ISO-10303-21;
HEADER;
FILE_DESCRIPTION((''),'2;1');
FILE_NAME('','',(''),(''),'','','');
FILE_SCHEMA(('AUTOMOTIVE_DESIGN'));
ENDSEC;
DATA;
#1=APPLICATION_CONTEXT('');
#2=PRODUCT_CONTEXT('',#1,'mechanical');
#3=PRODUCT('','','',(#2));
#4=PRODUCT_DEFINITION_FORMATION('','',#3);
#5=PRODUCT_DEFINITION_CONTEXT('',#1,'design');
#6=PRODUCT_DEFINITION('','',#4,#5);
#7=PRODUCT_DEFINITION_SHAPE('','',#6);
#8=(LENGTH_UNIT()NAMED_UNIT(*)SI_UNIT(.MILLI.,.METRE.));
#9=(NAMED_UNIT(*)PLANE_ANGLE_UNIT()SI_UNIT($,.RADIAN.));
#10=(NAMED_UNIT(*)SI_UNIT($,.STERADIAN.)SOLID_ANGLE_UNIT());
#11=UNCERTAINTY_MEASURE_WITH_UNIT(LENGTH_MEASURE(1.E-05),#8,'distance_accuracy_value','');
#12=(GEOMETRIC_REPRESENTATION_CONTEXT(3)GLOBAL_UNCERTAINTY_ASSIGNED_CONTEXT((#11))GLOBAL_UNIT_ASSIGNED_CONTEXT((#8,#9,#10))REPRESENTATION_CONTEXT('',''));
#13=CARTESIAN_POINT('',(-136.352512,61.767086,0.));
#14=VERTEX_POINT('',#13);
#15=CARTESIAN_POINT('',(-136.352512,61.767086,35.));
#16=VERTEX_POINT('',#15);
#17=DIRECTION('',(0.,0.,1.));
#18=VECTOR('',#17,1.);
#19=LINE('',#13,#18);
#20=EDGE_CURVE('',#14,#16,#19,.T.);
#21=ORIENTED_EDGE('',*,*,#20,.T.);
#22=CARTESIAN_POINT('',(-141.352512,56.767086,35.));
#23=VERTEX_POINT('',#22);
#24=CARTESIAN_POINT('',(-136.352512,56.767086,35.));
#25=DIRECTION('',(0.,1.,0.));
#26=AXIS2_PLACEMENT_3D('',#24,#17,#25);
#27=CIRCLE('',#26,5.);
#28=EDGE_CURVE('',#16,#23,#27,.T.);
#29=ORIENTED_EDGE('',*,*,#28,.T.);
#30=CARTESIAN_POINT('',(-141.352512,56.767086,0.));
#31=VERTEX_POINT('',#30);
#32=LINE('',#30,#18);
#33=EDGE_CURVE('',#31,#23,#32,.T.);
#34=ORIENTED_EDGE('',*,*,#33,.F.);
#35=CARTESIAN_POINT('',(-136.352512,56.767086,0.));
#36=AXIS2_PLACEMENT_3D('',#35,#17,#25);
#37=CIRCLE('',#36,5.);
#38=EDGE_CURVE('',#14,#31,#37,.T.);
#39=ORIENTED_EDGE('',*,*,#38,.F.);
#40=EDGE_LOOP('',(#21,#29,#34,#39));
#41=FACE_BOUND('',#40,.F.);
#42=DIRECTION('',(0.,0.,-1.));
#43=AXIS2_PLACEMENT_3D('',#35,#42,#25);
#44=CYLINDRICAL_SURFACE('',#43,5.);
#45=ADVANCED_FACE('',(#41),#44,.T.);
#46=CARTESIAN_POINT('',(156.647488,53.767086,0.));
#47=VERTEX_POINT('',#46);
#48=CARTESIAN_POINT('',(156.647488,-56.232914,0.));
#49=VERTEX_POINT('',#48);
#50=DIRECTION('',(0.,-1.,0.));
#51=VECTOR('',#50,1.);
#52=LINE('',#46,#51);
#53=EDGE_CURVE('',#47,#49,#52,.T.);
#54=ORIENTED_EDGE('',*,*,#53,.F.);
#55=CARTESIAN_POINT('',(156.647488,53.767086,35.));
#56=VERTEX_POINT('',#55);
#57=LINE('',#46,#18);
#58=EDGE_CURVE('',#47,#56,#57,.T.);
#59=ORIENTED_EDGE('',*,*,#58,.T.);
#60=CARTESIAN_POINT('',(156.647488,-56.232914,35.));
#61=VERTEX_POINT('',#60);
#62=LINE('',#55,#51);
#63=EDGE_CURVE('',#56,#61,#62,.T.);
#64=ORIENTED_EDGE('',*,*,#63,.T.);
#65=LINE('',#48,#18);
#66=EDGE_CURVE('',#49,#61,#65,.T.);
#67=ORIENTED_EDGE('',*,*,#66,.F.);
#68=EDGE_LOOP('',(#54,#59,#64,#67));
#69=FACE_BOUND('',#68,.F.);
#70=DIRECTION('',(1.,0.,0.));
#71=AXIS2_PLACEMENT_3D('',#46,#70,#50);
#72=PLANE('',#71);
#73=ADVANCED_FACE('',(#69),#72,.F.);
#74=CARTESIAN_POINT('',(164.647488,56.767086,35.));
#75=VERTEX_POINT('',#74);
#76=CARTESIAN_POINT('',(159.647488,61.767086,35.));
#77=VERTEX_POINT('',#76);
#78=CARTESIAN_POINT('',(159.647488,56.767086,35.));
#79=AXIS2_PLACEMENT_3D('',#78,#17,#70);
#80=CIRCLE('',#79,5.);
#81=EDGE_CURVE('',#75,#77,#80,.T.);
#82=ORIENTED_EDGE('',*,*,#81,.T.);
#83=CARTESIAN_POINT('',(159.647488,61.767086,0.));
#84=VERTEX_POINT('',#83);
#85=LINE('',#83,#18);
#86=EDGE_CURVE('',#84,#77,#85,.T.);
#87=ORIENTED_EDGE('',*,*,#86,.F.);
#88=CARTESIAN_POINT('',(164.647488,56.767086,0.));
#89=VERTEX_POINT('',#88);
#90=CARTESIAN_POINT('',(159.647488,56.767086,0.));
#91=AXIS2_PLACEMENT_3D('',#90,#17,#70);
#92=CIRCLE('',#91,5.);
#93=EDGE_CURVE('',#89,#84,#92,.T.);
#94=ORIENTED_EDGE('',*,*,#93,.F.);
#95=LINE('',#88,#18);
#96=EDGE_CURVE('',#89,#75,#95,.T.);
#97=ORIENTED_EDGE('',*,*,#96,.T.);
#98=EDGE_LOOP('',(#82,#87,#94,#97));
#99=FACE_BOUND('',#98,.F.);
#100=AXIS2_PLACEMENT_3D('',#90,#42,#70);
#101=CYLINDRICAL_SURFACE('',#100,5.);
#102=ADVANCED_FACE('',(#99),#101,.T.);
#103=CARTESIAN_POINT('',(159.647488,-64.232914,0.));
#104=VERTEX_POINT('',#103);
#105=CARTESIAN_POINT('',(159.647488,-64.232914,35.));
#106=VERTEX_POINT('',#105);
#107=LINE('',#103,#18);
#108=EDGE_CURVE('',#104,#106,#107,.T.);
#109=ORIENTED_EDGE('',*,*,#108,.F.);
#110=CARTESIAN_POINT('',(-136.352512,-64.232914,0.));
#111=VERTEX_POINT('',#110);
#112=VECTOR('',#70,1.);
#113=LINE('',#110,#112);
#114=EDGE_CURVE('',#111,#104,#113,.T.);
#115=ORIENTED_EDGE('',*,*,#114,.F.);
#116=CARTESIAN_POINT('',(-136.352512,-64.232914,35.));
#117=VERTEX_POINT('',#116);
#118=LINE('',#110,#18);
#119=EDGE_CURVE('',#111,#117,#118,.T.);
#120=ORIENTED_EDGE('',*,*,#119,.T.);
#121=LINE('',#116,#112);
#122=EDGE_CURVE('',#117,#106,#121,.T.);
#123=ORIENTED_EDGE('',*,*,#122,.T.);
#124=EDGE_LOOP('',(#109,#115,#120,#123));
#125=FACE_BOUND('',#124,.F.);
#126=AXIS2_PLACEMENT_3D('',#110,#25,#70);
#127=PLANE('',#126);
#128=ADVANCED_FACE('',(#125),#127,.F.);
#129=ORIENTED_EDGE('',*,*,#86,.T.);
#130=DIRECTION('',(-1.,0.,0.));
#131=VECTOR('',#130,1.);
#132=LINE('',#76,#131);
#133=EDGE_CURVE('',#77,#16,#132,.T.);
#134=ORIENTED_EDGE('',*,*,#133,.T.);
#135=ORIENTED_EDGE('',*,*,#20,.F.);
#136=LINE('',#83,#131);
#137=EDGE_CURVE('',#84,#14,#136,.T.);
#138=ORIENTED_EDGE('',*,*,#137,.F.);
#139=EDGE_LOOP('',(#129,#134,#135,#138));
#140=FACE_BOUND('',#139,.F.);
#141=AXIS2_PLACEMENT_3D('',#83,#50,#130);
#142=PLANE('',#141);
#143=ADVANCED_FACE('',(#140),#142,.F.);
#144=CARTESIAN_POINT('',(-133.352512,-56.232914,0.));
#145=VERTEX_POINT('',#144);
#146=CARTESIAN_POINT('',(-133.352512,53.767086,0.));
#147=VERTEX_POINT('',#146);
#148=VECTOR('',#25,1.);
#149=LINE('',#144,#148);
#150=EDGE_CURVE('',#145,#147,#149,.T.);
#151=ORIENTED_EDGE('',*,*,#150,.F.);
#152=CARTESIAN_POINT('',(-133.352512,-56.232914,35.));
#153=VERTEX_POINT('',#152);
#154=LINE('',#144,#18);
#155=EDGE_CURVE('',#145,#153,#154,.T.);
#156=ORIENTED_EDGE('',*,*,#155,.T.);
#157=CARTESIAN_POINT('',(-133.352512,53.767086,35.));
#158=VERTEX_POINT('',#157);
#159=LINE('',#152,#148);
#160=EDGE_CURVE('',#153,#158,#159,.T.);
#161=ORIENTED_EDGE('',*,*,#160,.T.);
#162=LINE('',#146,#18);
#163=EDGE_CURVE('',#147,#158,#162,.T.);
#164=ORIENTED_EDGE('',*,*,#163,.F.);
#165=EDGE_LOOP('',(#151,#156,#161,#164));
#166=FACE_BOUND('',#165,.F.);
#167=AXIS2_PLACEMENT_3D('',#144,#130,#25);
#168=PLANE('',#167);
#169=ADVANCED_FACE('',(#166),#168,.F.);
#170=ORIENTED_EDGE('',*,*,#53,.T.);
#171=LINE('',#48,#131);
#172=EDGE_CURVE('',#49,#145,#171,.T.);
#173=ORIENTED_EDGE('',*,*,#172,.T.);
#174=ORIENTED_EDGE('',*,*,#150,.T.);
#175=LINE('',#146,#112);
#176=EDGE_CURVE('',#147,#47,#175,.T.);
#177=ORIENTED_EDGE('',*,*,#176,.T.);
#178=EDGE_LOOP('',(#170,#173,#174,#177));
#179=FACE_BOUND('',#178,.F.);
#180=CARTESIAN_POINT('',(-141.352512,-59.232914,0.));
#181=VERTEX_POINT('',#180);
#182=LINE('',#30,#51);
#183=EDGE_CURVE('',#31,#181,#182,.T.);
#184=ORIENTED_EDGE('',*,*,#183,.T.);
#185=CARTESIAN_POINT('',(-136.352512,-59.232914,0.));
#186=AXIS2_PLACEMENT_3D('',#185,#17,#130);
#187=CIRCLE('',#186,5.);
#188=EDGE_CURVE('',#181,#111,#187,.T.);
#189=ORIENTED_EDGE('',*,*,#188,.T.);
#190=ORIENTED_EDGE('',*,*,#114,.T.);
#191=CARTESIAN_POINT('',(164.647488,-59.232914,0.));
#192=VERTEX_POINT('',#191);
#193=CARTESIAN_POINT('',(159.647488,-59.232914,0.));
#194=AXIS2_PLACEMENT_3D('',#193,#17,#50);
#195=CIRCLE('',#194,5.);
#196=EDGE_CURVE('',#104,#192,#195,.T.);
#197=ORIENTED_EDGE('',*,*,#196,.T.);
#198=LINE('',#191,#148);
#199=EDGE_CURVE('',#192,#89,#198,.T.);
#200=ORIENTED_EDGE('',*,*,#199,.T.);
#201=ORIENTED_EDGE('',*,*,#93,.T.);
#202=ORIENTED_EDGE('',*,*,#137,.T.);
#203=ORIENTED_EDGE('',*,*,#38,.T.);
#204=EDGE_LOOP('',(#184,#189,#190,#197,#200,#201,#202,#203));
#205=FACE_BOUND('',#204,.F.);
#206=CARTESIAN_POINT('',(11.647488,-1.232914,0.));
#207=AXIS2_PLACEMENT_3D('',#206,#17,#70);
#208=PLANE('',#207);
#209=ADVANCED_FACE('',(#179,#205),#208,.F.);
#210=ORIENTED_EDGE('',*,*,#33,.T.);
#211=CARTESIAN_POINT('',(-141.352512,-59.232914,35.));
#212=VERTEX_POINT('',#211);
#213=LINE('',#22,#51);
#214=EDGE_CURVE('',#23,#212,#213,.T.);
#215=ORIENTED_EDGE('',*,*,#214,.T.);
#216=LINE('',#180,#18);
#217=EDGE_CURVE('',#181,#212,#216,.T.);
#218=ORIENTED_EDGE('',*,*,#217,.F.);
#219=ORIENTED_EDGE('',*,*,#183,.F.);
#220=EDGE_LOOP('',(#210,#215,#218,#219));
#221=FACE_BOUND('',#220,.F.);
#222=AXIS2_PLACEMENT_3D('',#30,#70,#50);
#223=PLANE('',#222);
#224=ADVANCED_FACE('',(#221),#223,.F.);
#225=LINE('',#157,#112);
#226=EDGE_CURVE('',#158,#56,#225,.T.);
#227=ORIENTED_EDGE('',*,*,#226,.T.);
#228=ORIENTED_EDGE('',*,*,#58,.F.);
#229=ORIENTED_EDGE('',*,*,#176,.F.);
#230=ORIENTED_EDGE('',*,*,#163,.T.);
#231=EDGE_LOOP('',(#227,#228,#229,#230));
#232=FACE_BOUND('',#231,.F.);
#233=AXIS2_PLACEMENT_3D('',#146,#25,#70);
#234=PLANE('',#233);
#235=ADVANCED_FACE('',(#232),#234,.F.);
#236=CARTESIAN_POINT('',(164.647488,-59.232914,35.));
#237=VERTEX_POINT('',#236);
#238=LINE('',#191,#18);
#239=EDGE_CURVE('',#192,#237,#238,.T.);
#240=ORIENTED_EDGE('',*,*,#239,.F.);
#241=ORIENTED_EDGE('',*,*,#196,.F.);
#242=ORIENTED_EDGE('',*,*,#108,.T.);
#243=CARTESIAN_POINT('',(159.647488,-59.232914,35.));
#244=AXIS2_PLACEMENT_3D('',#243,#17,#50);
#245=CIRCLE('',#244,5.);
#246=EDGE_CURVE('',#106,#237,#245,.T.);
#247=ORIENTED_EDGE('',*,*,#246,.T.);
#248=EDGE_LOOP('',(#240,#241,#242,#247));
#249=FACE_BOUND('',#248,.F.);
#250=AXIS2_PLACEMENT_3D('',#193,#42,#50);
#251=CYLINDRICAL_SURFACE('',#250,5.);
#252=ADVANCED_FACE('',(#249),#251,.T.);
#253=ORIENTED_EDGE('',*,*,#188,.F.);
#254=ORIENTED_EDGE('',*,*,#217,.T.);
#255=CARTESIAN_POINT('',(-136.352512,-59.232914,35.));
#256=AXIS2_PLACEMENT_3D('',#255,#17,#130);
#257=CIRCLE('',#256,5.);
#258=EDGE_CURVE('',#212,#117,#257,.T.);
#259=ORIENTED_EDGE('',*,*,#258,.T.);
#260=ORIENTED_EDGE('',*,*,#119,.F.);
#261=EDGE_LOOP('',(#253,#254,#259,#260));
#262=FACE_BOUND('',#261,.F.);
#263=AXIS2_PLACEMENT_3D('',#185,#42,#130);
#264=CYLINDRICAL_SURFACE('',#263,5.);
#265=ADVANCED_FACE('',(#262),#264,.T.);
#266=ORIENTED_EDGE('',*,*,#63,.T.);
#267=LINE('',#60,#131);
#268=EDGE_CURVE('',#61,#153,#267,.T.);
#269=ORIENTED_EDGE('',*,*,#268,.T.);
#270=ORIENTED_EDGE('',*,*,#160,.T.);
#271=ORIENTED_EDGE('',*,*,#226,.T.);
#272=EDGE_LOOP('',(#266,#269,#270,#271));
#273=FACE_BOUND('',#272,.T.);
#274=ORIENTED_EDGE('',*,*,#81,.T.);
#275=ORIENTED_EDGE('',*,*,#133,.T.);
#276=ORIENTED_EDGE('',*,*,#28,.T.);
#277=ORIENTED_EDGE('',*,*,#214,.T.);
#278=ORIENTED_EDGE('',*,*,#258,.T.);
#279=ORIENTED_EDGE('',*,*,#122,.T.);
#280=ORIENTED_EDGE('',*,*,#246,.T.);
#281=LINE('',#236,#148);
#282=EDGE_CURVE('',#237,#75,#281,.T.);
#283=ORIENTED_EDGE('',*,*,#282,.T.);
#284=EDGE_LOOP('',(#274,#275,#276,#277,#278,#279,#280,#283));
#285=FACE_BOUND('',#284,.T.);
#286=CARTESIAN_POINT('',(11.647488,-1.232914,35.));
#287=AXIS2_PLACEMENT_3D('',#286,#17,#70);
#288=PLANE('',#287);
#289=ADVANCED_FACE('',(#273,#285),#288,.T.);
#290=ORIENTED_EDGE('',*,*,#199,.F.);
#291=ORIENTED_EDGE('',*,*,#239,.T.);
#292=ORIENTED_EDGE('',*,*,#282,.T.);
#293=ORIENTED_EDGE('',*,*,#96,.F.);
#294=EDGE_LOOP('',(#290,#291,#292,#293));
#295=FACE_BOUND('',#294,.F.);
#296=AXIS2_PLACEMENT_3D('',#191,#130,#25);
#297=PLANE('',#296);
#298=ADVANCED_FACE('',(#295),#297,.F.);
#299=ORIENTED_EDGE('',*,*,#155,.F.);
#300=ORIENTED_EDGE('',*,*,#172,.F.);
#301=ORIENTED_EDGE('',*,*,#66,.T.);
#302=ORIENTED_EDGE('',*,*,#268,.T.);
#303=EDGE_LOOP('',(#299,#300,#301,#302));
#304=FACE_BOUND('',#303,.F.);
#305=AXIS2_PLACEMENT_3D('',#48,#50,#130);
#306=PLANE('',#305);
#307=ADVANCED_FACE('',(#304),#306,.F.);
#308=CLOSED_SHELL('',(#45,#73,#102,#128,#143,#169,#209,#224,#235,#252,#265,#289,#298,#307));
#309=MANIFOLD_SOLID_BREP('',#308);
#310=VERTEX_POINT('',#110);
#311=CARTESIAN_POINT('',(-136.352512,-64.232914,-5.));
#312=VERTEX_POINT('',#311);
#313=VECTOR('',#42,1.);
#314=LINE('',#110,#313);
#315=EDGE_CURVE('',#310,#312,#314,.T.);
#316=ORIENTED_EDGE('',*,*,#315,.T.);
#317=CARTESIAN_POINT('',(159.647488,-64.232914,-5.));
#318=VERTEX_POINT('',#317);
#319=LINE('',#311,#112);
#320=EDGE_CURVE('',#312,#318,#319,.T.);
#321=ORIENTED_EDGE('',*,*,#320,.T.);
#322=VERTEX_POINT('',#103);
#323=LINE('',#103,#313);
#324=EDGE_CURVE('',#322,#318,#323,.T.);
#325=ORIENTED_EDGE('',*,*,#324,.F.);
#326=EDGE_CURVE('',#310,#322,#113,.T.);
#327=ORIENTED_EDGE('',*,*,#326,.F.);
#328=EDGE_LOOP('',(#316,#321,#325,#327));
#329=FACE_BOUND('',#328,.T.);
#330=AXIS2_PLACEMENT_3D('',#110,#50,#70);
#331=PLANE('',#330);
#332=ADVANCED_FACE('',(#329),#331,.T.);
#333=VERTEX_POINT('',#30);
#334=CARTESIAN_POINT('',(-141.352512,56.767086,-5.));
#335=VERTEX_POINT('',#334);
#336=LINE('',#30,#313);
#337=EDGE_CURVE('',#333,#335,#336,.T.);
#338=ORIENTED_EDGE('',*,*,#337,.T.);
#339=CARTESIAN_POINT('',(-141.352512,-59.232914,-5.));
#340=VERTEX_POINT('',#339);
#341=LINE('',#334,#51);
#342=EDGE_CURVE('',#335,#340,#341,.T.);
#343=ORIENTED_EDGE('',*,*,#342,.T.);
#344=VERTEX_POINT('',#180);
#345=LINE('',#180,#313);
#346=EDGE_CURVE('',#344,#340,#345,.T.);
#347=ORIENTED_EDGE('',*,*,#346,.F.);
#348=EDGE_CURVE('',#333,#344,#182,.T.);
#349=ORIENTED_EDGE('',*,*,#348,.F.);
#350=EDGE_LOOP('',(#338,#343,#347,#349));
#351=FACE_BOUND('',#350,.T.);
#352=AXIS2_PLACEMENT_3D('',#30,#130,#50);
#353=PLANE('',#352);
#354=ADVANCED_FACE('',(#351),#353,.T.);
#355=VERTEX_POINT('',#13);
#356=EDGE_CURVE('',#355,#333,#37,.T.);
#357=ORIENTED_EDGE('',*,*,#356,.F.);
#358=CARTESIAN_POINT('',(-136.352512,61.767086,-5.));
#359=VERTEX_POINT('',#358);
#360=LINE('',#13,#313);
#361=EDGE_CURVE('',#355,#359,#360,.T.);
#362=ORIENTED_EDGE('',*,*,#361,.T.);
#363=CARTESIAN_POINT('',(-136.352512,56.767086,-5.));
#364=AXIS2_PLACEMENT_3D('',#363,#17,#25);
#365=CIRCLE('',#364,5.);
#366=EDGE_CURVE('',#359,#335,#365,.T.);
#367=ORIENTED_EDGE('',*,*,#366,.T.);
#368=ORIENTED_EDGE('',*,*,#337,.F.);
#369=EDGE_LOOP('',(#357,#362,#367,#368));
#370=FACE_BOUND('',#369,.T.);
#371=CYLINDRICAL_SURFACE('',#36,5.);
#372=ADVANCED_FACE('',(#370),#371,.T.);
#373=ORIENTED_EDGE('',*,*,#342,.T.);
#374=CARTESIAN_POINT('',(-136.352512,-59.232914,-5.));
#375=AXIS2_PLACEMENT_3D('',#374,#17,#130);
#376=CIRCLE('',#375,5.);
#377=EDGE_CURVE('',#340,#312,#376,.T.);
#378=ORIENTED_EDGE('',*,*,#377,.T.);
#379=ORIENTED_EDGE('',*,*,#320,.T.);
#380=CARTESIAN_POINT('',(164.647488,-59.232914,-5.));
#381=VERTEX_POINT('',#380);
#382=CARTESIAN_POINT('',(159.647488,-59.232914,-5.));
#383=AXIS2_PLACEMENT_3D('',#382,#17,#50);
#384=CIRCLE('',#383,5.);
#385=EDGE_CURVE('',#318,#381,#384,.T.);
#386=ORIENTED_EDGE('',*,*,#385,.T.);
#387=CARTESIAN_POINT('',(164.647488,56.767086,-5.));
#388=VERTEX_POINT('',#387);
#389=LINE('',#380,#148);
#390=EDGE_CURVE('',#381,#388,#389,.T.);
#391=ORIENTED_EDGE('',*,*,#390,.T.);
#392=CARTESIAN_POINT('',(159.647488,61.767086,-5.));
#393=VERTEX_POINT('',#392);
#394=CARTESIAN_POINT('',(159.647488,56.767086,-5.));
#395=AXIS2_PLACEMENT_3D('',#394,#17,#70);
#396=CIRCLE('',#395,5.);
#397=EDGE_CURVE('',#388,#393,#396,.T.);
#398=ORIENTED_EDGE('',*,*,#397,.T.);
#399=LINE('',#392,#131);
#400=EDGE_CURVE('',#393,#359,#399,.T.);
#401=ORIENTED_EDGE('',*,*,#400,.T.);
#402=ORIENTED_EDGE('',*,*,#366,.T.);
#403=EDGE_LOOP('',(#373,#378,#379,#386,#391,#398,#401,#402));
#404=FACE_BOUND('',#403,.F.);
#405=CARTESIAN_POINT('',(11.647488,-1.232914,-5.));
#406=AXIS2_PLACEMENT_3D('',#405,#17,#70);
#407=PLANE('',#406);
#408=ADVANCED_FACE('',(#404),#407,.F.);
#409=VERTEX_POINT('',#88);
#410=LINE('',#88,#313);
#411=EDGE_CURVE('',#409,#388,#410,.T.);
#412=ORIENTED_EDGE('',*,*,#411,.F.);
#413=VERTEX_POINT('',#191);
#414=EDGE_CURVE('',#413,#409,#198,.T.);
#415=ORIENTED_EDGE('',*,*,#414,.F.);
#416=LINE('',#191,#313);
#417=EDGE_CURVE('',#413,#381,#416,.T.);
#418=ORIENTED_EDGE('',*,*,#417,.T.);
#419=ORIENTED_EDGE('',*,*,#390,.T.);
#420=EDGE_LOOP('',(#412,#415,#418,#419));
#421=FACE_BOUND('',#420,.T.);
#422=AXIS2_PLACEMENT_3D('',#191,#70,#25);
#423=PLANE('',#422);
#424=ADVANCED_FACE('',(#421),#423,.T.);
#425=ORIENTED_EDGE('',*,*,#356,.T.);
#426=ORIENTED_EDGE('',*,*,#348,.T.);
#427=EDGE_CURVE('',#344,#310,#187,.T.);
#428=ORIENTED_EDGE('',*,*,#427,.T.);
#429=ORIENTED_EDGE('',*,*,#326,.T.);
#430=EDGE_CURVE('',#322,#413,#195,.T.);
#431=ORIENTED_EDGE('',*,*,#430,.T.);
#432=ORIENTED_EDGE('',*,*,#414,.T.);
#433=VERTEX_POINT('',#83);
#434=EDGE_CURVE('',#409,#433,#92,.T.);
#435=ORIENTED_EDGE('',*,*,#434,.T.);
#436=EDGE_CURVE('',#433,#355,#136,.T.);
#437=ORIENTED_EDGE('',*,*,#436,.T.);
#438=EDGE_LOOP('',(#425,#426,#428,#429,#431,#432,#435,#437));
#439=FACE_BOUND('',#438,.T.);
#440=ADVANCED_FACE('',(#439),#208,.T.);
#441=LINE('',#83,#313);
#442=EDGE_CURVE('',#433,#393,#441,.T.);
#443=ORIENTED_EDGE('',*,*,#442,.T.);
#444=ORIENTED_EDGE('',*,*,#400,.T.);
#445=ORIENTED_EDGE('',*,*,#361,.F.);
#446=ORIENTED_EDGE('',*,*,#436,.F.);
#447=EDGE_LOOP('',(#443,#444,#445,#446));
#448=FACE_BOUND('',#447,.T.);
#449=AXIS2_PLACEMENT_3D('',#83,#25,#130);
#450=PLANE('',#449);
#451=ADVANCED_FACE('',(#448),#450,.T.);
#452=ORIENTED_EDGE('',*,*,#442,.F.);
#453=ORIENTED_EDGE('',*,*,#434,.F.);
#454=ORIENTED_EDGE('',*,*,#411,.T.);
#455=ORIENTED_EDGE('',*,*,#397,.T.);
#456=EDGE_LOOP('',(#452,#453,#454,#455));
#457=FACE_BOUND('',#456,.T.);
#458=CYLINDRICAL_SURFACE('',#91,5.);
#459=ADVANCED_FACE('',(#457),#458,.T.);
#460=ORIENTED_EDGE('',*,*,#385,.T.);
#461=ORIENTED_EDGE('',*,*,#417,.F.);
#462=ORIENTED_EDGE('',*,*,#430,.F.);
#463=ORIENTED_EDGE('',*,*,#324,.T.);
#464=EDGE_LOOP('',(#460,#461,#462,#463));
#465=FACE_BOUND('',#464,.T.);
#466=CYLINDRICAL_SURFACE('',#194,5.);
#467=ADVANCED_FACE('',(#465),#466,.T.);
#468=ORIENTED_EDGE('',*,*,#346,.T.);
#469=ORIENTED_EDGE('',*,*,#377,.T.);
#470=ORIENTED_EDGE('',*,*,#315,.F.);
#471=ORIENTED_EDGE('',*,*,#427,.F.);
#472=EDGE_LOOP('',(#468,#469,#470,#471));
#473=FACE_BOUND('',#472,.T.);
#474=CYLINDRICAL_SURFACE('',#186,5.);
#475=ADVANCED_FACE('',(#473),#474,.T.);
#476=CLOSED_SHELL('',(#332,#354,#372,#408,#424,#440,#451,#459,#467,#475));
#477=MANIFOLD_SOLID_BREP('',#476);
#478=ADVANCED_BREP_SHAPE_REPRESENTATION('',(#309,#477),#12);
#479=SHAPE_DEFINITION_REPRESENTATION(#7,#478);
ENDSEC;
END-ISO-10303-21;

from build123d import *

# Parameters (mm, degrees)
F0_W     = 2
F0_H     = 18.0155
F1_DEPTH = 5
F2_DEPTH = 35


with BuildPart() as f1:
    # F0 (on Top) → F1 (new body)
    with BuildSketch(Plane.XY):
        with BuildLine():
            ThreePointArc((164.6474879093, 56.7670862941), (163.1830218152, 60.3026202), (159.6474879093, 61.7670862941))
            Line((159.6474879093, 61.7670862941), (-136.3525120907, 61.7670862941))
            ThreePointArc((-136.3525120907, 61.7670862941), (-139.8880459967, 60.3026202), (-141.3525120907, 56.7670862941))
            Line((-141.3525120907, 56.7670862941), (-141.3525120907, -59.2329137059))
            ThreePointArc((-141.3525120907, -59.2329137059), (-139.8880459967, -62.7684476119), (-136.3525120907, -64.2329137059))
            Line((-136.3525120907, -64.2329137059), (159.6474879093, -64.2329137059))
            ThreePointArc((159.6474879093, -64.2329137059), (163.1830218152, -62.7684476119), (164.6474879093, -59.2329137059))
            Line((164.6474879093, -59.2329137059), (164.6474879093, 56.7670862941))
        make_face()
        Polygon((-93.3215120907, 53.7670862941), (156.6474879093, 53.7670862941), (156.6474879093, -56.2329137059), (-133.3525120907, -56.2329137059), (-133.3525120907, 13.7360862941), (-133.3525120907, 53.7670862941), align=None, mode=Mode.SUBTRACT)
        Polygon((-93.3215120907, 51.7670862941), (-93.3215120907, 53.7670862941), (-133.3525120907, 53.7670862941), (-133.3525120907, 13.7360862941), (-131.3525120907, 13.7360862941), (-131.3525120907, 15.7360862941), (-131.3525120907, 51.7670862941), (-95.3215120907, 51.7670862941), align=None)
        Polygon((-93.3215120907, 13.7360862941), (-93.3215120907, 33.7515862941), (-95.3215120907, 33.7515862941), (-95.3215120907, 15.7360862941), (-131.3525120907, 15.7360862941), (-131.3525120907, 13.7360862941), align=None)
        with Locations((-94.3215120907, 42.7593362941)):
            Rectangle(F0_W, F0_H)
        Polygon((-95.3215120907, 33.7515862941), (-95.3215120907, 51.7670862941), (-131.3525120907, 51.7670862941), (-131.3525120907, 15.7360862941), (-95.3215120907, 15.7360862941), align=None)
        Polygon((154.6474879093, 51.7670862941), (-93.3215120907, 51.7670862941), (-93.3215120907, 33.7515862941), (-93.3215120907, 13.7360862941), (-131.3525120907, 13.7360862941), (-131.3525120907, -54.2329137059), (154.6474879093, -54.2329137059), align=None)
        Polygon((156.6474879093, -56.2329137059), (156.6474879093, 53.7670862941), (-93.3215120907, 53.7670862941), (-93.3215120907, 51.7670862941), (154.6474879093, 51.7670862941), (154.6474879093, -54.2329137059), (-131.3525120907, -54.2329137059), (-131.3525120907, 13.7360862941), (-133.3525120907, 13.7360862941), (-133.3525120907, -56.2329137059), align=None)
    extrude(amount=-F1_DEPTH)


with BuildPart() as f2:
    # F0 (on Top) → F2 (new body)
    with BuildSketch(Plane.XY):
        with BuildLine():
            ThreePointArc((164.6474879093, 56.7670862941), (163.1830218152, 60.3026202), (159.6474879093, 61.7670862941))
            Line((159.6474879093, 61.7670862941), (-136.3525120907, 61.7670862941))
            ThreePointArc((-136.3525120907, 61.7670862941), (-139.8880459967, 60.3026202), (-141.3525120907, 56.7670862941))
            Line((-141.3525120907, 56.7670862941), (-141.3525120907, -59.2329137059))
            ThreePointArc((-141.3525120907, -59.2329137059), (-139.8880459967, -62.7684476119), (-136.3525120907, -64.2329137059))
            Line((-136.3525120907, -64.2329137059), (159.6474879093, -64.2329137059))
            ThreePointArc((159.6474879093, -64.2329137059), (163.1830218152, -62.7684476119), (164.6474879093, -59.2329137059))
            Line((164.6474879093, -59.2329137059), (164.6474879093, 56.7670862941))
        make_face()
        Polygon((-93.3215120907, 53.7670862941), (156.6474879093, 53.7670862941), (156.6474879093, -56.2329137059), (-133.3525120907, -56.2329137059), (-133.3525120907, 13.7360862941), (-133.3525120907, 53.7670862941), align=None, mode=Mode.SUBTRACT)
    extrude(amount=F2_DEPTH)


solid = Compound([f1.part, f2.part])
